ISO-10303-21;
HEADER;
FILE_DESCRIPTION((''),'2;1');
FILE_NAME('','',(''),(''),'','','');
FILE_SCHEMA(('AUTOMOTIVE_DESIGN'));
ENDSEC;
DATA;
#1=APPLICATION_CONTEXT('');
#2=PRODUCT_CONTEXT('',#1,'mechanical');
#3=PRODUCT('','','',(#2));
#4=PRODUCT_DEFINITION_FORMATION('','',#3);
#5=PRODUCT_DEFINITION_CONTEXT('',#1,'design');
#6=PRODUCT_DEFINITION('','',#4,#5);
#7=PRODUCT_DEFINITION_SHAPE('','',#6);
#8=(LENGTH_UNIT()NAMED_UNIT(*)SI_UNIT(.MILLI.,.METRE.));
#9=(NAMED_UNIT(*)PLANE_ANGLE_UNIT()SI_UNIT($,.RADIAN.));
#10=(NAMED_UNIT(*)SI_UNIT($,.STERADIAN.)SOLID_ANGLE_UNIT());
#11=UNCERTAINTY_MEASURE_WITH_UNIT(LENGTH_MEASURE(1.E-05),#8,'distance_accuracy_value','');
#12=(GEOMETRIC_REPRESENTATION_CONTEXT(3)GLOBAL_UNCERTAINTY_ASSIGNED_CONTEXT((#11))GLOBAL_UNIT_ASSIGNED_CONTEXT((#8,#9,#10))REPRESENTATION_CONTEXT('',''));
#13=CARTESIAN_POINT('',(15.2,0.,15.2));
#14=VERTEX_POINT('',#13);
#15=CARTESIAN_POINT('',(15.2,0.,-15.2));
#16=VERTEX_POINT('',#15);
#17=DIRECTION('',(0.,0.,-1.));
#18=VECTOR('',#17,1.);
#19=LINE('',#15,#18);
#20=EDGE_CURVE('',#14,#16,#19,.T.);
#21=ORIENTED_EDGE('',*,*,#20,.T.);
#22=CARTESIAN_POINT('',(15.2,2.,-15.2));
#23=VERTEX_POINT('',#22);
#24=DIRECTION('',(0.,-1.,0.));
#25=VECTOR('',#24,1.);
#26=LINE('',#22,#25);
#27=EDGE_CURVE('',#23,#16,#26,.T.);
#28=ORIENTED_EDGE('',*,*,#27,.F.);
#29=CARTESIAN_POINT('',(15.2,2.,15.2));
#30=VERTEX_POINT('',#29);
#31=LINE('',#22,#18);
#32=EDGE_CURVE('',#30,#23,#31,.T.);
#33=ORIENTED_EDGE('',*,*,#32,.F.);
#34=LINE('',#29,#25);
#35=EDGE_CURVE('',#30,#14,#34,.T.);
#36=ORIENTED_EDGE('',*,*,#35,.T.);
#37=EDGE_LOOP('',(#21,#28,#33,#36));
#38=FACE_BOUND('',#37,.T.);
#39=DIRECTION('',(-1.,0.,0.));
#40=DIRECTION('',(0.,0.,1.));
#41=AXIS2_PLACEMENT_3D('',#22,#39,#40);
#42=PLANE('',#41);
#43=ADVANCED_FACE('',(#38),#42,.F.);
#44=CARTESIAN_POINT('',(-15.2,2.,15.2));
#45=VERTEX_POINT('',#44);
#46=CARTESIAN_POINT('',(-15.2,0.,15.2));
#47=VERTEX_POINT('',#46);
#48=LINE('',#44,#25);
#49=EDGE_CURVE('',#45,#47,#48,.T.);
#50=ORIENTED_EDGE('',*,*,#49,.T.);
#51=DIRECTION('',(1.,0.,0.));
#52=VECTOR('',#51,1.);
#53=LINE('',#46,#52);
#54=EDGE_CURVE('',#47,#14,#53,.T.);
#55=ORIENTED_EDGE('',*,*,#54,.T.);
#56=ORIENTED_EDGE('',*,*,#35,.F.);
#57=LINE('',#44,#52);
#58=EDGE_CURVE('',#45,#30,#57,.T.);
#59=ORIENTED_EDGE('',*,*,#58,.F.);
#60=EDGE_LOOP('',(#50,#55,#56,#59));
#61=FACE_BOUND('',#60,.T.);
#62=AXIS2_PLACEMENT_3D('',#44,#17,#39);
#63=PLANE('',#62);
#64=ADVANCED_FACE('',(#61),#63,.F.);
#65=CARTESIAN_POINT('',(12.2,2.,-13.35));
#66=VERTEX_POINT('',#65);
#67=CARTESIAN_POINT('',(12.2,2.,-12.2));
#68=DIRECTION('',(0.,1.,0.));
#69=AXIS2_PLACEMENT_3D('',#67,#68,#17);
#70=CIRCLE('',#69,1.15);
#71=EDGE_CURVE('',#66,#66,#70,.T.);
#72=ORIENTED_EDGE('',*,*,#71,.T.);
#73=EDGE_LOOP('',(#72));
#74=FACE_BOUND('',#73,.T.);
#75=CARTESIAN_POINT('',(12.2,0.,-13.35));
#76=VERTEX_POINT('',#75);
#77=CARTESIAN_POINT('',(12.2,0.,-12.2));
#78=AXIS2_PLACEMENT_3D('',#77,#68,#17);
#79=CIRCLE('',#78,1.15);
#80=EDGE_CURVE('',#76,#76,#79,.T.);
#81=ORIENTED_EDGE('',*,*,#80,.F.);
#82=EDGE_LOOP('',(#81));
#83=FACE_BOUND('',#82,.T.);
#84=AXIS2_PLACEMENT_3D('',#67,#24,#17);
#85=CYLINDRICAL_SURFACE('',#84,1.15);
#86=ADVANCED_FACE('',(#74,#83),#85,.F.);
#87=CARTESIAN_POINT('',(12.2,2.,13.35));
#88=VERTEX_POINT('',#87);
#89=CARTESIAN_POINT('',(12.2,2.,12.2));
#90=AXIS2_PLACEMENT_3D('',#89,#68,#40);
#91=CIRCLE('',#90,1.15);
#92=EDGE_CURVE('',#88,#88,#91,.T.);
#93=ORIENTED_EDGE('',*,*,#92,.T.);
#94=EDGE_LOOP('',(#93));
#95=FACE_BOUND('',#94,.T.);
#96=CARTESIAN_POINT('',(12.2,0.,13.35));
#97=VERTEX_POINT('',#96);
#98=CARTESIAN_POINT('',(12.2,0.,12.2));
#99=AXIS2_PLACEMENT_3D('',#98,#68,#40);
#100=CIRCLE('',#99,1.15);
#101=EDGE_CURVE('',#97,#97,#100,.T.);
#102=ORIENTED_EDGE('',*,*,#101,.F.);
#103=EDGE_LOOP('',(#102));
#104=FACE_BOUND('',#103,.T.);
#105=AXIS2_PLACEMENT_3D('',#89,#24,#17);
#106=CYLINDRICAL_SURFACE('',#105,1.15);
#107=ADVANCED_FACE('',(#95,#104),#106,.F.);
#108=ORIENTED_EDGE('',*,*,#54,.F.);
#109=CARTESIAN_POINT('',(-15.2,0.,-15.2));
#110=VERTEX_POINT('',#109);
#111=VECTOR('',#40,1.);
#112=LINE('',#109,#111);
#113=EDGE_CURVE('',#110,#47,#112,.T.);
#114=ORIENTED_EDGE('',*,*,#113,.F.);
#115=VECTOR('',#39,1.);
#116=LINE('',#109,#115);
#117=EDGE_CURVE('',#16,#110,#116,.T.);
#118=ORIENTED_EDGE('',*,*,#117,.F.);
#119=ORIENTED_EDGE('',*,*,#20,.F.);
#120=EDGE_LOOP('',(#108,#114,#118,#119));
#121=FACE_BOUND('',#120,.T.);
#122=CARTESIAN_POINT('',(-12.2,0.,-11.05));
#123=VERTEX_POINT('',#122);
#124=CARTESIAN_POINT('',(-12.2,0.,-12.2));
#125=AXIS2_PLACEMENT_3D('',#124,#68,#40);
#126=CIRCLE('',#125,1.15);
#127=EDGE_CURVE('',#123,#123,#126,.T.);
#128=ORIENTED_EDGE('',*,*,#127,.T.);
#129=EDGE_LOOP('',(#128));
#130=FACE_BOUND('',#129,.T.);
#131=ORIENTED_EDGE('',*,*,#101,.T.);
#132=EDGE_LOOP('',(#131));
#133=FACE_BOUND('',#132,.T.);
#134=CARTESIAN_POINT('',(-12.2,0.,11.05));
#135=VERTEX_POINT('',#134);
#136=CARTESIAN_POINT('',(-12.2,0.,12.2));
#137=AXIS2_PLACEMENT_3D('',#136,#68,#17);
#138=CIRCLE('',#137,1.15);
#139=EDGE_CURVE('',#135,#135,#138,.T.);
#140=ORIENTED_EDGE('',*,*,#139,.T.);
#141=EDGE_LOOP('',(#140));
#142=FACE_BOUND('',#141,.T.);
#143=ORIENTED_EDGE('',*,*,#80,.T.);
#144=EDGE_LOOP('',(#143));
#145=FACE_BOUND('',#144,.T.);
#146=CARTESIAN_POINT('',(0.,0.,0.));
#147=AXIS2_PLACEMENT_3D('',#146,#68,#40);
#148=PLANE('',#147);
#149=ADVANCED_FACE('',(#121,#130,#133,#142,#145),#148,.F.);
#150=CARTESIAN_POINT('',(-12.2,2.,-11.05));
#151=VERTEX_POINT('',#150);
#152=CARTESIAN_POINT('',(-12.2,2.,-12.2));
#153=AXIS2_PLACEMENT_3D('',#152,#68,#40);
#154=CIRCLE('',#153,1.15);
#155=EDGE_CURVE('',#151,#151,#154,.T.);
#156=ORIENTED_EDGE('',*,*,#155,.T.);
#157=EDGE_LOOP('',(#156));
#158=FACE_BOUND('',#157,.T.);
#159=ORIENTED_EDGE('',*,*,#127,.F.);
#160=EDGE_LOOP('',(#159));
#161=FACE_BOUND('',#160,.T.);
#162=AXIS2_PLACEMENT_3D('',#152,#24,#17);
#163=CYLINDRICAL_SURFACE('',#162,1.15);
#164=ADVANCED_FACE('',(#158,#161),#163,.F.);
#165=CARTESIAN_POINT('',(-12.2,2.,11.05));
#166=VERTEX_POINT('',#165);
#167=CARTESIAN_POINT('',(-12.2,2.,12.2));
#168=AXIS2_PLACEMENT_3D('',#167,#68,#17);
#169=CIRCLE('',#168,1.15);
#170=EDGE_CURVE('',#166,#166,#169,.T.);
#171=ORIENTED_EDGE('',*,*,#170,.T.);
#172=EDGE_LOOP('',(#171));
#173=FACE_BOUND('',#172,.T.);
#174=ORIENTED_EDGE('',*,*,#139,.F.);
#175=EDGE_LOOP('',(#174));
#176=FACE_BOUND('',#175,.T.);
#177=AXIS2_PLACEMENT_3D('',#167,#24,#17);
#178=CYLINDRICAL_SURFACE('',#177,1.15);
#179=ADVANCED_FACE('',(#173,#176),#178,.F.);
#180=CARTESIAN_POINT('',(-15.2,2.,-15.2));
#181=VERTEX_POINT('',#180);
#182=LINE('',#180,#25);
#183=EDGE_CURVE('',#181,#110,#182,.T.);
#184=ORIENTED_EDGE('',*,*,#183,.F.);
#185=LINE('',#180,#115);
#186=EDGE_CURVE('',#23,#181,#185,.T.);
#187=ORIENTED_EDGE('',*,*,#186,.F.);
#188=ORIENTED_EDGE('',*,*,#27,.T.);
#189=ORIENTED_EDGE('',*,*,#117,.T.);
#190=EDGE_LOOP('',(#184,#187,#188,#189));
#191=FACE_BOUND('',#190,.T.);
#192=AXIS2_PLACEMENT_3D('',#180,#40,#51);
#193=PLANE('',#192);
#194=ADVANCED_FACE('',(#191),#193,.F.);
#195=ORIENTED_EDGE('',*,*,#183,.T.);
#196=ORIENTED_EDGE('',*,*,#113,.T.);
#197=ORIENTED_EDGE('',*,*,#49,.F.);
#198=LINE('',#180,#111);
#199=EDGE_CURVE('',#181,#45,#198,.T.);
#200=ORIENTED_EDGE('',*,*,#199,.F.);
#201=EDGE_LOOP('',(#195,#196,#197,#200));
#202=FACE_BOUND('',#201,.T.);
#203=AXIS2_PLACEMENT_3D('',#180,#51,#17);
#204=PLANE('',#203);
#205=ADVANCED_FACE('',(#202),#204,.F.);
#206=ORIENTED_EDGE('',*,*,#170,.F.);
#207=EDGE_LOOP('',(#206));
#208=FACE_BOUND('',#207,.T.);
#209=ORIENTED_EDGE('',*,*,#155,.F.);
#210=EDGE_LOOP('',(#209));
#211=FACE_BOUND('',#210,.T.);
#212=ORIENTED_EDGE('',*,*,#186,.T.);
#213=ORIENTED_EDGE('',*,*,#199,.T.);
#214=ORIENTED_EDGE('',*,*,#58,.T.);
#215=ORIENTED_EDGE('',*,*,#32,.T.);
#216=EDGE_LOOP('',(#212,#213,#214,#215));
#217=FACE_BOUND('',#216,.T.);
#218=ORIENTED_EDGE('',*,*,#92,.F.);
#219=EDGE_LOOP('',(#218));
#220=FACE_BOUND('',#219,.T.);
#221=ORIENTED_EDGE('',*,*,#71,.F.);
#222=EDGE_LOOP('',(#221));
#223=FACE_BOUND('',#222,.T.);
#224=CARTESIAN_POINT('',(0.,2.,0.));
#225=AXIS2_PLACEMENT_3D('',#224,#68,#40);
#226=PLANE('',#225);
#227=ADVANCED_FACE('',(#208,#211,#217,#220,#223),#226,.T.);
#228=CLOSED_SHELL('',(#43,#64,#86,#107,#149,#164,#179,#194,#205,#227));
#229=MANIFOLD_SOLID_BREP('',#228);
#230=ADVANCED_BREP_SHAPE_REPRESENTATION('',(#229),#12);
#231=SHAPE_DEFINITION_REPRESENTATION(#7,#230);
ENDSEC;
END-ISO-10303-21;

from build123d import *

# Parameters (mm, degrees)
SKETCH1_W           = 30.4
SKETCH1_H           = 30.4
SKETCH1_R           = 1.15
BOSS_EXTRUDE1_DEPTH = 2


with BuildPart() as part:
    # Sketch1 → Boss-Extrude1 (new body)
    with BuildSketch(Plane(origin=(0, 0, 0), x_dir=(1, 0, 0), z_dir=(0, 1, 0))):
        Rectangle(SKETCH1_W, SKETCH1_H)
        with Locations(Location((-12.2, 12.2, 0), (0, 0, 270))):
            Circle(SKETCH1_R, mode=Mode.SUBTRACT)
        with Locations(Location((12.2, 12.2, 0), (0, 0, 90))):
            Circle(SKETCH1_R, mode=Mode.SUBTRACT)
        with Locations(Location((12.2, -12.2, 0), (0, 0, 270))):
            Circle(SKETCH1_R, mode=Mode.SUBTRACT)
        with Locations(Location((-12.2, -12.2, 0), (0, 0, 90))):
            Circle(SKETCH1_R, mode=Mode.SUBTRACT)
    extrude(amount=BOSS_EXTRUDE1_DEPTH)


solid = part.part
